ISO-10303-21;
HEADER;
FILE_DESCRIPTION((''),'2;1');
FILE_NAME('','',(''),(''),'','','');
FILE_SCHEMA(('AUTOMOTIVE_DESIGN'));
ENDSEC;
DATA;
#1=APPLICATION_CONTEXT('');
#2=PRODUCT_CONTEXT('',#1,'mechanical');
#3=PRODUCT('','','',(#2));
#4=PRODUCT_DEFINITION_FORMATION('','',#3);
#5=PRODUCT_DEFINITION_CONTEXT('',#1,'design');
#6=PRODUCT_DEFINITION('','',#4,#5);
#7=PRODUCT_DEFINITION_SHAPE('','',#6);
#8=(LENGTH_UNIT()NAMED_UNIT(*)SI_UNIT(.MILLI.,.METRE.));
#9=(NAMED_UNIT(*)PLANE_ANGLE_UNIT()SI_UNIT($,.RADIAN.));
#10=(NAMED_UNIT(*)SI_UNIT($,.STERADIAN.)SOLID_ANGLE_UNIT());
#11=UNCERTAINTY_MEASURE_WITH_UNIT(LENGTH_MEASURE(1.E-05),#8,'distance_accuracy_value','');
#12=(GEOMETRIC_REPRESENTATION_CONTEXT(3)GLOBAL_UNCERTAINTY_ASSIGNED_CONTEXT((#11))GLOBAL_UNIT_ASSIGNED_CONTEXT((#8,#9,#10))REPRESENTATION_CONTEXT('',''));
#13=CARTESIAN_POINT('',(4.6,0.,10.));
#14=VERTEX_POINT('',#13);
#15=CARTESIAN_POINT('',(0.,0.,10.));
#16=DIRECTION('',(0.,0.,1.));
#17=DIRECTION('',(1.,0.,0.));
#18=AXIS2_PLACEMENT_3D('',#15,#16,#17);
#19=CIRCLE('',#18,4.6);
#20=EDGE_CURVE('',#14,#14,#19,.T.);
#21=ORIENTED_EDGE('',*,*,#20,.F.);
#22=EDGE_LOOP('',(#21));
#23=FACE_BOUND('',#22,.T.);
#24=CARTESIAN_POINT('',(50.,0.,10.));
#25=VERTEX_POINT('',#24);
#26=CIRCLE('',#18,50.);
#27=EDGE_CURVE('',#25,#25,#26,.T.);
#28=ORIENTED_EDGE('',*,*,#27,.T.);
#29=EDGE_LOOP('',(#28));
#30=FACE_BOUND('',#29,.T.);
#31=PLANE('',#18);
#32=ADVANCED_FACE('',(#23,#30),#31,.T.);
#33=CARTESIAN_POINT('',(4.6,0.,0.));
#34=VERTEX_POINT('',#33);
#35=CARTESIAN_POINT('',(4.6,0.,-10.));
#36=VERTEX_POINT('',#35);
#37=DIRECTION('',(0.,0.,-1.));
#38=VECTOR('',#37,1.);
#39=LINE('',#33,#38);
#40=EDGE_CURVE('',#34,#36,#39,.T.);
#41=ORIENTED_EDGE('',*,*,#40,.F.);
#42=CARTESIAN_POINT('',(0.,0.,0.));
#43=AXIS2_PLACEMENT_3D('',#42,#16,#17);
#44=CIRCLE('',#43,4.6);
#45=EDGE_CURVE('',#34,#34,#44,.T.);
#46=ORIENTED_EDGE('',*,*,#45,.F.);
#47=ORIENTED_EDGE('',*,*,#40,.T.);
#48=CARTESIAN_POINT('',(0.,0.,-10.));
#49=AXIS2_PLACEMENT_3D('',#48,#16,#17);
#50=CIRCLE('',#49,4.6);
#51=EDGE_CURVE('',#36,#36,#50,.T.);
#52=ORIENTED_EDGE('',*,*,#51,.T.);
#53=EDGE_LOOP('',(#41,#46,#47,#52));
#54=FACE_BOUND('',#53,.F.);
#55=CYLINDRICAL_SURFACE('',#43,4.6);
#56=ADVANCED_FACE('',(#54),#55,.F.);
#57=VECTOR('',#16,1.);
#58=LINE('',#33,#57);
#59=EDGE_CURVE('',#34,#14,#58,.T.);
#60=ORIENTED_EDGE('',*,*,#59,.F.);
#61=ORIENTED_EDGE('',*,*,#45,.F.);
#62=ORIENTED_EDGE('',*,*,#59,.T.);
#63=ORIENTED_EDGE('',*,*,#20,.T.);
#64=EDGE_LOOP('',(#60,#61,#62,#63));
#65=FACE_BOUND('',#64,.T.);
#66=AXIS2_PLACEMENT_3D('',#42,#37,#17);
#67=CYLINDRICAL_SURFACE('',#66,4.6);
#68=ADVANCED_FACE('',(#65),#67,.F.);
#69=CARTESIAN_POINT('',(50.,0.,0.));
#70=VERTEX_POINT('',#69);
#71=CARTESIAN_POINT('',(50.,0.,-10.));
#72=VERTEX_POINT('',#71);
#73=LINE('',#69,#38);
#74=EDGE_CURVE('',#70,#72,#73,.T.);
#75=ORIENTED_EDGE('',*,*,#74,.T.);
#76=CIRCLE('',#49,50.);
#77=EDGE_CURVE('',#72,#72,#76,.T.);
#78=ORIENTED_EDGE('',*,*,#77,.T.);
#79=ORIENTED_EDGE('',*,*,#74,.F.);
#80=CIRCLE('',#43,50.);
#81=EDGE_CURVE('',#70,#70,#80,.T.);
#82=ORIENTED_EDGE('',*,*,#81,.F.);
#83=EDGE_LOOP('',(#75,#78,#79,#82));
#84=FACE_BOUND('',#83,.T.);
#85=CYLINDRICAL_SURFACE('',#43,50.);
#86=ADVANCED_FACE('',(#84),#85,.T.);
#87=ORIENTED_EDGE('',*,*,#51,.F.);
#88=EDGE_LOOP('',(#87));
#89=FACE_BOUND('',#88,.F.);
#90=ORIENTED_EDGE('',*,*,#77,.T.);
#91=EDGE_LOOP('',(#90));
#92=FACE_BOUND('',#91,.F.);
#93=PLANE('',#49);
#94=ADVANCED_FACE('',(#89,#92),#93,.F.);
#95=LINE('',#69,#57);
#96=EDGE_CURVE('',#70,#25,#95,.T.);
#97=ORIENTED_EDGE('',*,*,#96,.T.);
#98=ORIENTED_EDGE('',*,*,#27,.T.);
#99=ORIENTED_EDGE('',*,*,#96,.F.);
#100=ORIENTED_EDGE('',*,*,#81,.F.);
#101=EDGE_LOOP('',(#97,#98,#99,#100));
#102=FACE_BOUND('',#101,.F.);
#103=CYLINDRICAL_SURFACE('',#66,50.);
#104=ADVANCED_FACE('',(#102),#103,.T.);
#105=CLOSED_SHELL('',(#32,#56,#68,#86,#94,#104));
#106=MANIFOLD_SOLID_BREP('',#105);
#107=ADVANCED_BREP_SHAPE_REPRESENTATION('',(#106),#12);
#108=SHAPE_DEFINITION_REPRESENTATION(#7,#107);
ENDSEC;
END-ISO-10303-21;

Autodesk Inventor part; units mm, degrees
ref_plane "YZ Plane" through (0, 0, 0) normal (1, 0, 0) x (0, 1, 0)
ref_plane "XZ Plane" through (0, 0, 0) normal (0, 1, 0) x (-1, 0, 0)
ref_plane "XY Plane" through (0, 0, 0) normal (0, 0, 1) x (1, 0, 0)
sketch "Sketch1" plane through (0, 0, 0) normal (0, 0, 1) x (1, 0, 0)
  circle A0 centre (0, 0) radius 50
  circle A1 centre (0, 0) radius 4.6
  dimension "d0" = 100
  dimension "d1" = 9.2
extrude "Extrusion1" add sketch "Sketch1" along normal mid plane 20
properties part number "disc DC"
